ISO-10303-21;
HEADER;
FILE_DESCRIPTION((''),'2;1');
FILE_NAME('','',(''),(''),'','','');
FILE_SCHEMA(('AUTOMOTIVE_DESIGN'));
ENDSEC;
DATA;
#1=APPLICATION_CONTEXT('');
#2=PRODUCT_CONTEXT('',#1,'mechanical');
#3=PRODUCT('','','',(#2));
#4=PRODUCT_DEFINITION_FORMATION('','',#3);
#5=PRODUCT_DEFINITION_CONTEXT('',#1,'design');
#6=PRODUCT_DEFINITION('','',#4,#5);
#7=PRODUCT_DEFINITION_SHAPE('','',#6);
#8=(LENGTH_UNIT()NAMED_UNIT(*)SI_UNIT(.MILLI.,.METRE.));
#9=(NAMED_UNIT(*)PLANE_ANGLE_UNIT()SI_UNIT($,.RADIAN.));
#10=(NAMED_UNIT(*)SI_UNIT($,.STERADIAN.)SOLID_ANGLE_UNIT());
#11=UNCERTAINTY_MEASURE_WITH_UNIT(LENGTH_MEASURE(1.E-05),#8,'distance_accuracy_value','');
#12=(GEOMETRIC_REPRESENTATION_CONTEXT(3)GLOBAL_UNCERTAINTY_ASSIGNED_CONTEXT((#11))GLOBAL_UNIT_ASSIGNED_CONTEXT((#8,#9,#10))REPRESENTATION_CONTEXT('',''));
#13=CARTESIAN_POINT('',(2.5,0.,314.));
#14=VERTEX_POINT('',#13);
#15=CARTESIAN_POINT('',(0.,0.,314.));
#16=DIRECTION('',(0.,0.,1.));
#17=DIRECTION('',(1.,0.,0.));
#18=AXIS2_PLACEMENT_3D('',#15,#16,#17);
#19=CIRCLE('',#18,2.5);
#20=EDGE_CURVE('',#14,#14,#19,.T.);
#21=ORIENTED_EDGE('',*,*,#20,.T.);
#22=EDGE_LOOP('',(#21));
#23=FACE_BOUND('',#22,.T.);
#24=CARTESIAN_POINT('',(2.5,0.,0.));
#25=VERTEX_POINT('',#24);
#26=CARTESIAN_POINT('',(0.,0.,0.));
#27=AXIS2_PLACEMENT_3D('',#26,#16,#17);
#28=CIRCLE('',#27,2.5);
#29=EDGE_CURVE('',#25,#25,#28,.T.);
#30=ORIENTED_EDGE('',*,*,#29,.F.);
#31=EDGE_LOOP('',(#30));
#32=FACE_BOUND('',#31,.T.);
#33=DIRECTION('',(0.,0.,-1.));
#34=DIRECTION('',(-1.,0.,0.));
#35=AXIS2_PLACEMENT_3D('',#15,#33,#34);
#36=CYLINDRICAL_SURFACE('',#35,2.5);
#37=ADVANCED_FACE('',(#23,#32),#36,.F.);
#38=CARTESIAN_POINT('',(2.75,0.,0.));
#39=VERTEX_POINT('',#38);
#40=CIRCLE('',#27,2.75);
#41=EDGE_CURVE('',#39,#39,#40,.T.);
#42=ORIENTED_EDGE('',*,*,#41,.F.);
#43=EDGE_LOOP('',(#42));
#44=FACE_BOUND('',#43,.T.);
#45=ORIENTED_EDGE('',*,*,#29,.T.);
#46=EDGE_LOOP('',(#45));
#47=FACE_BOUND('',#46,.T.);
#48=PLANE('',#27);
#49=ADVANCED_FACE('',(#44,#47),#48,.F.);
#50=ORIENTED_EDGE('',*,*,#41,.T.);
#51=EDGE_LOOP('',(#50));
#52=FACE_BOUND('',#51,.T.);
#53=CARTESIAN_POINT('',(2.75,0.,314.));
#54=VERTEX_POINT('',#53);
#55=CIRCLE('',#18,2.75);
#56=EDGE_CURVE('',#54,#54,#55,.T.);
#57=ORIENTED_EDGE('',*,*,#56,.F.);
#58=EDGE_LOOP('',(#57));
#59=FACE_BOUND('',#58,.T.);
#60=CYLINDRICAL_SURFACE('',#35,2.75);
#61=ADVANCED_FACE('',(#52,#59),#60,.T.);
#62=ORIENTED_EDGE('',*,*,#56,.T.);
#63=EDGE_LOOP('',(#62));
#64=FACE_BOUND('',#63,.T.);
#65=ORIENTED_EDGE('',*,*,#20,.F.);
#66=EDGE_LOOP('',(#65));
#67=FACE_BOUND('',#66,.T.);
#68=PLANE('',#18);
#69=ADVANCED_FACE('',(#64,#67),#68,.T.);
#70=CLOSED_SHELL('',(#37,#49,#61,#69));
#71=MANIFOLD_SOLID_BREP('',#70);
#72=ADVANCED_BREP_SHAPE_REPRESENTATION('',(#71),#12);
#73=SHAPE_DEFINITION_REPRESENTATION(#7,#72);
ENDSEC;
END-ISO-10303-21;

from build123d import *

# Parameters (mm, degrees)
SKETCH1_R           = 2.75
SKETCH1_R_2         = 2.5
BOSS_EXTRUDE3_DEPTH = 314


with BuildPart() as part:
    # Sketch1 → Boss-Extrude3 (new body)
    with BuildSketch(Plane.XY):
        Circle(SKETCH1_R)
        Circle(SKETCH1_R_2, mode=Mode.SUBTRACT)
    extrude(amount=BOSS_EXTRUDE3_DEPTH)


solid = part.part
